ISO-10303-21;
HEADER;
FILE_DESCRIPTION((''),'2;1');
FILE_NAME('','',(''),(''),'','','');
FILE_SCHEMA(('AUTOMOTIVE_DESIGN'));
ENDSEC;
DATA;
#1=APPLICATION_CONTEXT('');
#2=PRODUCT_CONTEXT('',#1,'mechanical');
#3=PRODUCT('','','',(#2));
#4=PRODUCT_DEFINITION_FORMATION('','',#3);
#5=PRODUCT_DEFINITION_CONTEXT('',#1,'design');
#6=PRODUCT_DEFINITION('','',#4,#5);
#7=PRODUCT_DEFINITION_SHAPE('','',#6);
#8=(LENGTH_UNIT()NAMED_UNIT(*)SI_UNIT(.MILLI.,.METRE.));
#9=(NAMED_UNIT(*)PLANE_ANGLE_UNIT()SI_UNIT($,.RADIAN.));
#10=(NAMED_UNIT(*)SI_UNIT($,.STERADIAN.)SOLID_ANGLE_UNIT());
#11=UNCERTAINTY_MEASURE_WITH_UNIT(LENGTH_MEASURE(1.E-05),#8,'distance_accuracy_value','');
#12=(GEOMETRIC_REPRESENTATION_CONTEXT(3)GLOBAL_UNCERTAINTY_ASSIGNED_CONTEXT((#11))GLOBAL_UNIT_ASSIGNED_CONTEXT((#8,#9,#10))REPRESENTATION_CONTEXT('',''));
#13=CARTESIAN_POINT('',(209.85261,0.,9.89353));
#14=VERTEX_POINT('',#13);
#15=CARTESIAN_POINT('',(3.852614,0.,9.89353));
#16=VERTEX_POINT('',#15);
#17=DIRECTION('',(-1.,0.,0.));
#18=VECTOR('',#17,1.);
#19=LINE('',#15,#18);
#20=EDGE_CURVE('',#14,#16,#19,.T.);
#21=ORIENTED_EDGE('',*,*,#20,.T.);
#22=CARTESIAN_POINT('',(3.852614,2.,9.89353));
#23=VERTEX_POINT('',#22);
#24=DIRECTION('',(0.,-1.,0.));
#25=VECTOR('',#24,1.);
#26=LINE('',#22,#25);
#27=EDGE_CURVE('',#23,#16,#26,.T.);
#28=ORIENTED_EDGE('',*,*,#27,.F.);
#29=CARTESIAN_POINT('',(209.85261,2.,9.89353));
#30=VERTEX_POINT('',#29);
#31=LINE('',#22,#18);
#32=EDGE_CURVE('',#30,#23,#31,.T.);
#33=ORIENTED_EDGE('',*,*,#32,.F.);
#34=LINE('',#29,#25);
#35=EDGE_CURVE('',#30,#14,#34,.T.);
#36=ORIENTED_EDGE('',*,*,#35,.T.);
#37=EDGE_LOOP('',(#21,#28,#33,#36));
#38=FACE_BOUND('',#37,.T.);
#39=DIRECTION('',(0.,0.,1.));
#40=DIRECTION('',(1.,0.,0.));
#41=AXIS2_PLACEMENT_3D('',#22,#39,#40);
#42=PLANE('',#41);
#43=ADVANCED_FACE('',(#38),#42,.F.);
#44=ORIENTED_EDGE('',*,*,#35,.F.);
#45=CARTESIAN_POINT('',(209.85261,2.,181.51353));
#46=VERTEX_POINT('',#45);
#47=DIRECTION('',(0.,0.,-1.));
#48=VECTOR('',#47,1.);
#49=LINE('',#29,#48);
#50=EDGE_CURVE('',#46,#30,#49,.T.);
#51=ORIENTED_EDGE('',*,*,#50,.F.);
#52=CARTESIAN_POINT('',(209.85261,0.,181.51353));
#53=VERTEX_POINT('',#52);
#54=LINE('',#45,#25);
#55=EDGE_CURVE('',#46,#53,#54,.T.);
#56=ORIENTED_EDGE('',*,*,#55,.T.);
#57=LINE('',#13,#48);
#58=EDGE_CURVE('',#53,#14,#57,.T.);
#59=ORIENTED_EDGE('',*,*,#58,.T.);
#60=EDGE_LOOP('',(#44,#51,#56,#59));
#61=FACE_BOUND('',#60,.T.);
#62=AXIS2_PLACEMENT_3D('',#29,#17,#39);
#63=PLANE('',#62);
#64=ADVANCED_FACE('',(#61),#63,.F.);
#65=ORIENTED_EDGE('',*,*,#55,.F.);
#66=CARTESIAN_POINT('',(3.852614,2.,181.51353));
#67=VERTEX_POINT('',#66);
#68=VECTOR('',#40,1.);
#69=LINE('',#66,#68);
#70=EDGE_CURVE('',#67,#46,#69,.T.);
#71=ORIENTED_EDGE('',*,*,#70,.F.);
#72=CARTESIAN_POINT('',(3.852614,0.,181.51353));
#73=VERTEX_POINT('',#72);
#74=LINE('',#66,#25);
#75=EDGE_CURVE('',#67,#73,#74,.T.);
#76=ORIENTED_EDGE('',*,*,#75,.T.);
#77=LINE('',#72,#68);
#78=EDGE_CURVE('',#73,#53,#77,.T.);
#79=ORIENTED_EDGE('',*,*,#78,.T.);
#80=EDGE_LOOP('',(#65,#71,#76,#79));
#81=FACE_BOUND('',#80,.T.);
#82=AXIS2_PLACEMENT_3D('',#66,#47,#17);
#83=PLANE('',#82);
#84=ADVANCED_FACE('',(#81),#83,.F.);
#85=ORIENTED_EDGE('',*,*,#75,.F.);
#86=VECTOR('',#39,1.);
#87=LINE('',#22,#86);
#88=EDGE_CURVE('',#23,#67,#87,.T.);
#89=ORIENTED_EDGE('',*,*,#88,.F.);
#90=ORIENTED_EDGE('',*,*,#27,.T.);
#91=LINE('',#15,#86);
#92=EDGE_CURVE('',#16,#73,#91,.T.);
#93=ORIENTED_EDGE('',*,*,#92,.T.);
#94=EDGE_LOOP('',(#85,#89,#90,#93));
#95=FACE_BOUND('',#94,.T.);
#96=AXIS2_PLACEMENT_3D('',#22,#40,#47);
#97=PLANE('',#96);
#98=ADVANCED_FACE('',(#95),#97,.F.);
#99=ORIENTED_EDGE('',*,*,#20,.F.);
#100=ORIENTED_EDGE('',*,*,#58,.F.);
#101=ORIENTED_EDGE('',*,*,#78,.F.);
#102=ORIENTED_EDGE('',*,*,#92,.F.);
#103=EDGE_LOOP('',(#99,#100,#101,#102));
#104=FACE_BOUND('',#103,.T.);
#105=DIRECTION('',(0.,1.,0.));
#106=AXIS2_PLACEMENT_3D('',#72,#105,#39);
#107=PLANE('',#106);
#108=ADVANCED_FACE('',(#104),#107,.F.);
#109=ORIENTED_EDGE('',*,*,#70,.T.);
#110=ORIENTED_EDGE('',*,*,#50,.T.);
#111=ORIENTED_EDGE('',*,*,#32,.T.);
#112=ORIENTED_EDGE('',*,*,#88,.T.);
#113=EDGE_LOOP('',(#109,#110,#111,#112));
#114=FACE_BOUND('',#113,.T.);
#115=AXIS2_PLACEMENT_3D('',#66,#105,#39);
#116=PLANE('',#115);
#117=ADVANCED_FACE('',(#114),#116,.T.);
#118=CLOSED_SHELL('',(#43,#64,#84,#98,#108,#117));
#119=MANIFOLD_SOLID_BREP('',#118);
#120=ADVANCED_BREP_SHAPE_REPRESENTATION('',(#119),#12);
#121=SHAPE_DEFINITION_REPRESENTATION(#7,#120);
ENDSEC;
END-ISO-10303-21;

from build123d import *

# Parameters (mm, degrees)
SKETCH_1_W      = 205.999996103
SKETCH_1_H      = 171.62
EXTRUDE_1_DEPTH = 2


with BuildPart() as part:
    # Эскиз1 → Вытянуть1 (new body)
    with BuildSketch(Plane(origin=(0, 0, 0), x_dir=(1, 0, 0), z_dir=(0, 1, 0))):
        with Locations((106.852612065, -95.703529987)):
            Rectangle(SKETCH_1_W, SKETCH_1_H)
    extrude(amount=EXTRUDE_1_DEPTH)


solid = part.part
